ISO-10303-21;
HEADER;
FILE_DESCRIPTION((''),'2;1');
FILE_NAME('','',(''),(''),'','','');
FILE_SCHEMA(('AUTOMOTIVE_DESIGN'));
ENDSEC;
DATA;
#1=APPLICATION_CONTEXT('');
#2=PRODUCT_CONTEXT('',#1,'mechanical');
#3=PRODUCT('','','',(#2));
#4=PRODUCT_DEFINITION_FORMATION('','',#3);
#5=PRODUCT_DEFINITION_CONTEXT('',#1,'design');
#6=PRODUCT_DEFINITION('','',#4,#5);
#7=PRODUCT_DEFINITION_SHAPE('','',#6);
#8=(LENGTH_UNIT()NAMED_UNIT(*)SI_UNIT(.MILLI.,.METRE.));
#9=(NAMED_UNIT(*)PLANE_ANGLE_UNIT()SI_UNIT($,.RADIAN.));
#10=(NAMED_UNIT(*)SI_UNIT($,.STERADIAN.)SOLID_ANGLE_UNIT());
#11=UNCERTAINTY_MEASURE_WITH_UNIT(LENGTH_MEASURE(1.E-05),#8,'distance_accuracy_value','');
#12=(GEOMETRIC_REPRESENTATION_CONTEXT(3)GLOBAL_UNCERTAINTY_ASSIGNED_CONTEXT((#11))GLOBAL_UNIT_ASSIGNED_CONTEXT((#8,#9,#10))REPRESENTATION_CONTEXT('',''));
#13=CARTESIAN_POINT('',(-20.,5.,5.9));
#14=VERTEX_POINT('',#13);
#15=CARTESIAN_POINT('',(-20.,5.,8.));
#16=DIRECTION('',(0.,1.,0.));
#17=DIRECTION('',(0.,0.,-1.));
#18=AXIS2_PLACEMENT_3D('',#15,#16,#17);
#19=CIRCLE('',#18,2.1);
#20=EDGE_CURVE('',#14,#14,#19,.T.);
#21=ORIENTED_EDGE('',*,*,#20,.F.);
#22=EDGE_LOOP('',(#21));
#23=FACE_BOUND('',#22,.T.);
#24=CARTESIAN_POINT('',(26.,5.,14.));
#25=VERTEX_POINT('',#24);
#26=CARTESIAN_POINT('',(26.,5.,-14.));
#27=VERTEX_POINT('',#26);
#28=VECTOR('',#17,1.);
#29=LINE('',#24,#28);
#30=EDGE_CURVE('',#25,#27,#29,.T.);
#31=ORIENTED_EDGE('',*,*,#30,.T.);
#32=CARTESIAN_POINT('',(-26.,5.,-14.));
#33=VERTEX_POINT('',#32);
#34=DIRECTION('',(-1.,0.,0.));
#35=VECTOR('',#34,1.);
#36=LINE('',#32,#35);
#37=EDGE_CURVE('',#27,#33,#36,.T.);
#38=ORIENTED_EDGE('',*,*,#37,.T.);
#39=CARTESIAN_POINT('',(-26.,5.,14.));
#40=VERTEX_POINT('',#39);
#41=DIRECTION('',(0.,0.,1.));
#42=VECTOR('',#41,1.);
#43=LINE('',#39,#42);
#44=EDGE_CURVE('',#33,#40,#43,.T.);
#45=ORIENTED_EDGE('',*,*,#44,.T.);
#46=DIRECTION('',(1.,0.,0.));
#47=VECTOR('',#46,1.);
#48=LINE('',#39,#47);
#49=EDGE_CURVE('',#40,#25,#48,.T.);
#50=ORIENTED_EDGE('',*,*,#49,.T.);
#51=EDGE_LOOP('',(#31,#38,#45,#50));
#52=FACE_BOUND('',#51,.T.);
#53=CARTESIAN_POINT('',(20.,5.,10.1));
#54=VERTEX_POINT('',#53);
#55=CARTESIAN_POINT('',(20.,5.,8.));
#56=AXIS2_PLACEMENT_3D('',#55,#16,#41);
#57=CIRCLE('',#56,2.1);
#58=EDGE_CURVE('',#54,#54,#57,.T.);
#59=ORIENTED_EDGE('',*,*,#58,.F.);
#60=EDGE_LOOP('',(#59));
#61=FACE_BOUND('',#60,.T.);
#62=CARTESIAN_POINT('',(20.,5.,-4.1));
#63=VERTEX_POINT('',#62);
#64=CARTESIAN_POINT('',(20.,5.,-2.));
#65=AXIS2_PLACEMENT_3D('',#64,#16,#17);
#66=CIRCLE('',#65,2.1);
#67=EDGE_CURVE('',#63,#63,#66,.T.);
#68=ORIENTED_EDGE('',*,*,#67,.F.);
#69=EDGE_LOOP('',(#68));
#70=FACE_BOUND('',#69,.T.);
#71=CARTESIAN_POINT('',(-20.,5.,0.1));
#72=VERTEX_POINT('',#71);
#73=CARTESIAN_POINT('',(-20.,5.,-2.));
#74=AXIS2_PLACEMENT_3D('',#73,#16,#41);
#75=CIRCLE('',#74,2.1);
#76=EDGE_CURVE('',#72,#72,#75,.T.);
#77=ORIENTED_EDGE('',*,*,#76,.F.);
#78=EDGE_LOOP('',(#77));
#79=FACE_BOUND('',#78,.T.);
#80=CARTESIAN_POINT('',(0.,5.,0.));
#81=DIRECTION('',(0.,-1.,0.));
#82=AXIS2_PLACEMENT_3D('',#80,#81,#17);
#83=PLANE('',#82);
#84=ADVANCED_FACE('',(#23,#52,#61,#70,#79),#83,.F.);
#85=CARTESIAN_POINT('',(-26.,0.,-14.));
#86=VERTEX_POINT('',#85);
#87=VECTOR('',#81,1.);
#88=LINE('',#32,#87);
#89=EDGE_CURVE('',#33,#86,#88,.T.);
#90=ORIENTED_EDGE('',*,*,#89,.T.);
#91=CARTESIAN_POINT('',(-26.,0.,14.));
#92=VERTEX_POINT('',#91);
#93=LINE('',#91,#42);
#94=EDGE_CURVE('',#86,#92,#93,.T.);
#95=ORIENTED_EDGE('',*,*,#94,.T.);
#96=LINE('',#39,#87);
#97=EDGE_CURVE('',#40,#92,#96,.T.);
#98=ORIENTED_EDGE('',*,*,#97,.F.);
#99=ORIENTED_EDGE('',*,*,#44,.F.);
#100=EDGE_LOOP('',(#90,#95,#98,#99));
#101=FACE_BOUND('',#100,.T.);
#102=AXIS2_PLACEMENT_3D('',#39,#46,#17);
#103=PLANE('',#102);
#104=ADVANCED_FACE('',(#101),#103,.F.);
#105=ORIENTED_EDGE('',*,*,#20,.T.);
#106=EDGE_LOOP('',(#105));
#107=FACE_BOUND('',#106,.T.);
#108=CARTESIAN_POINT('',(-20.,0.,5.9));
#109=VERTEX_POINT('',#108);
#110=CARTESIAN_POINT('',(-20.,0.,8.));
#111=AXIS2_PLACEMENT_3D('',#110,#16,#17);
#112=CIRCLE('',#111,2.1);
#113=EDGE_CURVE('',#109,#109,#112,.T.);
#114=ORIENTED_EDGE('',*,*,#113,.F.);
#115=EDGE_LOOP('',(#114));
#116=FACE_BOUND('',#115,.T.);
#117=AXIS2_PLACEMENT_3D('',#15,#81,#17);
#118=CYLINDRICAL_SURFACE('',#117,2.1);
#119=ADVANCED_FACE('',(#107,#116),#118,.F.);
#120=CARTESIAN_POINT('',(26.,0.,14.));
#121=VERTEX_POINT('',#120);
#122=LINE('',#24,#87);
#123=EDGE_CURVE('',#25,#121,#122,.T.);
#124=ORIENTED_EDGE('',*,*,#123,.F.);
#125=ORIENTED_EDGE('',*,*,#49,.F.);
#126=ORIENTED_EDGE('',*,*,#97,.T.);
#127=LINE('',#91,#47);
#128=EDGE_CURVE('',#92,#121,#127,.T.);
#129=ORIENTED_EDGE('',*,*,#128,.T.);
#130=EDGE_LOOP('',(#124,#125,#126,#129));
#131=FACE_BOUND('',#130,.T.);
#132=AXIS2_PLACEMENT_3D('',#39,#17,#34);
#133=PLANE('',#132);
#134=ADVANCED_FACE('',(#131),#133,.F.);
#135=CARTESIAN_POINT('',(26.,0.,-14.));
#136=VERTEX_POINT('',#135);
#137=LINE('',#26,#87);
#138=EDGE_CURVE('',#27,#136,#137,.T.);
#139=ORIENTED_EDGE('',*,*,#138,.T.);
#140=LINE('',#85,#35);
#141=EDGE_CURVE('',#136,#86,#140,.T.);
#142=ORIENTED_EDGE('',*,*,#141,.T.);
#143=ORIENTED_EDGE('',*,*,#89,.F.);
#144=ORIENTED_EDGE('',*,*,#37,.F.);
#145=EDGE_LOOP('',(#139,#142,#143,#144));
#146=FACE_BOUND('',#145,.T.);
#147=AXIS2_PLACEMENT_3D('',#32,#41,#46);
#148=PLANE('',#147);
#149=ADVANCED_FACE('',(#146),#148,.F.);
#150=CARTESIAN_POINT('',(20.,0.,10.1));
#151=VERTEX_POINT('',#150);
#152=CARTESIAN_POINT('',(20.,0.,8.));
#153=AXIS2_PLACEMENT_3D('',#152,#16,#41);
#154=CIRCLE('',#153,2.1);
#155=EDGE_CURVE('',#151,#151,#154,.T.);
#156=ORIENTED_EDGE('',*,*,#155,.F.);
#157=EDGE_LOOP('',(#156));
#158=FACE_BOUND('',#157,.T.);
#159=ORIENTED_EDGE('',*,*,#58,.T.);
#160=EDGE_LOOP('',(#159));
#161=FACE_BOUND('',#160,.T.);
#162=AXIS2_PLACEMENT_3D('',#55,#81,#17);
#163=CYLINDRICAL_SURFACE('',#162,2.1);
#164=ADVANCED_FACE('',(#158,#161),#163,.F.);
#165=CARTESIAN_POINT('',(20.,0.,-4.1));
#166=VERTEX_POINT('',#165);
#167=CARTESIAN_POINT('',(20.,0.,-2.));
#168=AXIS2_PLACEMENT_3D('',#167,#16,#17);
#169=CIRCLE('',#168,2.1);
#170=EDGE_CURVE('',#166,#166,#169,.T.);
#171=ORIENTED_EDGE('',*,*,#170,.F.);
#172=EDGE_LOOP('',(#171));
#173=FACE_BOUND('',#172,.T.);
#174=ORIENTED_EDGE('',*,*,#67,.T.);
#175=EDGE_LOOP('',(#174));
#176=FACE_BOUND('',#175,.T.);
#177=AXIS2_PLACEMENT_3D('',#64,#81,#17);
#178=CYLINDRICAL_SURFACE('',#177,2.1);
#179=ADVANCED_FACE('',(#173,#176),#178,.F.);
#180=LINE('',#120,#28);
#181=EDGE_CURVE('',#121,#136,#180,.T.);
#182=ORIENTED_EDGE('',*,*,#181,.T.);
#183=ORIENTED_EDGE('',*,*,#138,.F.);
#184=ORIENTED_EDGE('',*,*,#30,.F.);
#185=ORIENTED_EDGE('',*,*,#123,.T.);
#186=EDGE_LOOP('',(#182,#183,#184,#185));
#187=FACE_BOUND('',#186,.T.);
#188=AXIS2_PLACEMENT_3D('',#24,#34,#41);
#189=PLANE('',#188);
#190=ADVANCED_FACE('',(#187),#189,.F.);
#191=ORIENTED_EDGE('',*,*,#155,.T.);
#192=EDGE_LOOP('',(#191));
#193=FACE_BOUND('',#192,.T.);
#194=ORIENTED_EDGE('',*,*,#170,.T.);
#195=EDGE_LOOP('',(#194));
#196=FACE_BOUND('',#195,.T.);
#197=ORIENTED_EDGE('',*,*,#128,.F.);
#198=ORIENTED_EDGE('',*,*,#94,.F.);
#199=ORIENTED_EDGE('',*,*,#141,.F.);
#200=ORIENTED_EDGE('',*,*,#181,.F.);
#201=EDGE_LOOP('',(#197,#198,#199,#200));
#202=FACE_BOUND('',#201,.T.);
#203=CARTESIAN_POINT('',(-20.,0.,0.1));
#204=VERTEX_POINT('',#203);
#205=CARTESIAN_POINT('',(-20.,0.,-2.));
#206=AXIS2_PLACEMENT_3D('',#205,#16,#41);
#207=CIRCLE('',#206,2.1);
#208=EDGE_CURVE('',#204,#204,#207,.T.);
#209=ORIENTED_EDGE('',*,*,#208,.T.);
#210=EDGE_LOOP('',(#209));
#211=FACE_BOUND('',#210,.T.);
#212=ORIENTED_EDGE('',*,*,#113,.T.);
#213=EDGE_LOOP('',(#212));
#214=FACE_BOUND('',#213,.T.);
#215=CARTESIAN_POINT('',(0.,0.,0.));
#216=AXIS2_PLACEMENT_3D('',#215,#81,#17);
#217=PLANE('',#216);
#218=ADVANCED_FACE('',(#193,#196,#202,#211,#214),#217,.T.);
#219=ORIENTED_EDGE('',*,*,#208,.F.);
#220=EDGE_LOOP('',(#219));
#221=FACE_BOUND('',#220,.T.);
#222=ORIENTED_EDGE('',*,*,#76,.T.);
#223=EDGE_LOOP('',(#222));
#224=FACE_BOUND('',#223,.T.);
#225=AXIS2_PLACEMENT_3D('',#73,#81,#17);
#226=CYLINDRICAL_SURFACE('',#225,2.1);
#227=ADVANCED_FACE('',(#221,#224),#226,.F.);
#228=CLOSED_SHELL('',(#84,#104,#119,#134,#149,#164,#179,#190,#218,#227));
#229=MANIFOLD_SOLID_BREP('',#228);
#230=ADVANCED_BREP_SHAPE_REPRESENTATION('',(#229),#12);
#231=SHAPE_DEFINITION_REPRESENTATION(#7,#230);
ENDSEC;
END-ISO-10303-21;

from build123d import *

# Parameters (mm, degrees)
SKETCH1_W           = 52
SKETCH1_H           = 28
SKETCH1_R           = 2.1
BOSS_EXTRUDE1_DEPTH = 5


with BuildPart() as part:
    # Sketch1 → Boss-Extrude1 (new body)
    with BuildSketch(Plane(origin=(0, 0, 0), x_dir=(1, 0, 0), z_dir=(0, 1, 0))):
        Rectangle(SKETCH1_W, SKETCH1_H)
        with Locations(Location((20, -8, 0), (0, 0, 270))):
            Circle(SKETCH1_R, mode=Mode.SUBTRACT)
        with Locations(Location((20, 2, 0), (0, 0, 90))):
            Circle(SKETCH1_R, mode=Mode.SUBTRACT)
        with Locations(Location((-20, -8, 0), (0, 0, 90))):
            Circle(SKETCH1_R, mode=Mode.SUBTRACT)
        with Locations(Location((-20, 2, 0), (0, 0, 270))):
            Circle(SKETCH1_R, mode=Mode.SUBTRACT)
    extrude(amount=BOSS_EXTRUDE1_DEPTH)


solid = part.part
